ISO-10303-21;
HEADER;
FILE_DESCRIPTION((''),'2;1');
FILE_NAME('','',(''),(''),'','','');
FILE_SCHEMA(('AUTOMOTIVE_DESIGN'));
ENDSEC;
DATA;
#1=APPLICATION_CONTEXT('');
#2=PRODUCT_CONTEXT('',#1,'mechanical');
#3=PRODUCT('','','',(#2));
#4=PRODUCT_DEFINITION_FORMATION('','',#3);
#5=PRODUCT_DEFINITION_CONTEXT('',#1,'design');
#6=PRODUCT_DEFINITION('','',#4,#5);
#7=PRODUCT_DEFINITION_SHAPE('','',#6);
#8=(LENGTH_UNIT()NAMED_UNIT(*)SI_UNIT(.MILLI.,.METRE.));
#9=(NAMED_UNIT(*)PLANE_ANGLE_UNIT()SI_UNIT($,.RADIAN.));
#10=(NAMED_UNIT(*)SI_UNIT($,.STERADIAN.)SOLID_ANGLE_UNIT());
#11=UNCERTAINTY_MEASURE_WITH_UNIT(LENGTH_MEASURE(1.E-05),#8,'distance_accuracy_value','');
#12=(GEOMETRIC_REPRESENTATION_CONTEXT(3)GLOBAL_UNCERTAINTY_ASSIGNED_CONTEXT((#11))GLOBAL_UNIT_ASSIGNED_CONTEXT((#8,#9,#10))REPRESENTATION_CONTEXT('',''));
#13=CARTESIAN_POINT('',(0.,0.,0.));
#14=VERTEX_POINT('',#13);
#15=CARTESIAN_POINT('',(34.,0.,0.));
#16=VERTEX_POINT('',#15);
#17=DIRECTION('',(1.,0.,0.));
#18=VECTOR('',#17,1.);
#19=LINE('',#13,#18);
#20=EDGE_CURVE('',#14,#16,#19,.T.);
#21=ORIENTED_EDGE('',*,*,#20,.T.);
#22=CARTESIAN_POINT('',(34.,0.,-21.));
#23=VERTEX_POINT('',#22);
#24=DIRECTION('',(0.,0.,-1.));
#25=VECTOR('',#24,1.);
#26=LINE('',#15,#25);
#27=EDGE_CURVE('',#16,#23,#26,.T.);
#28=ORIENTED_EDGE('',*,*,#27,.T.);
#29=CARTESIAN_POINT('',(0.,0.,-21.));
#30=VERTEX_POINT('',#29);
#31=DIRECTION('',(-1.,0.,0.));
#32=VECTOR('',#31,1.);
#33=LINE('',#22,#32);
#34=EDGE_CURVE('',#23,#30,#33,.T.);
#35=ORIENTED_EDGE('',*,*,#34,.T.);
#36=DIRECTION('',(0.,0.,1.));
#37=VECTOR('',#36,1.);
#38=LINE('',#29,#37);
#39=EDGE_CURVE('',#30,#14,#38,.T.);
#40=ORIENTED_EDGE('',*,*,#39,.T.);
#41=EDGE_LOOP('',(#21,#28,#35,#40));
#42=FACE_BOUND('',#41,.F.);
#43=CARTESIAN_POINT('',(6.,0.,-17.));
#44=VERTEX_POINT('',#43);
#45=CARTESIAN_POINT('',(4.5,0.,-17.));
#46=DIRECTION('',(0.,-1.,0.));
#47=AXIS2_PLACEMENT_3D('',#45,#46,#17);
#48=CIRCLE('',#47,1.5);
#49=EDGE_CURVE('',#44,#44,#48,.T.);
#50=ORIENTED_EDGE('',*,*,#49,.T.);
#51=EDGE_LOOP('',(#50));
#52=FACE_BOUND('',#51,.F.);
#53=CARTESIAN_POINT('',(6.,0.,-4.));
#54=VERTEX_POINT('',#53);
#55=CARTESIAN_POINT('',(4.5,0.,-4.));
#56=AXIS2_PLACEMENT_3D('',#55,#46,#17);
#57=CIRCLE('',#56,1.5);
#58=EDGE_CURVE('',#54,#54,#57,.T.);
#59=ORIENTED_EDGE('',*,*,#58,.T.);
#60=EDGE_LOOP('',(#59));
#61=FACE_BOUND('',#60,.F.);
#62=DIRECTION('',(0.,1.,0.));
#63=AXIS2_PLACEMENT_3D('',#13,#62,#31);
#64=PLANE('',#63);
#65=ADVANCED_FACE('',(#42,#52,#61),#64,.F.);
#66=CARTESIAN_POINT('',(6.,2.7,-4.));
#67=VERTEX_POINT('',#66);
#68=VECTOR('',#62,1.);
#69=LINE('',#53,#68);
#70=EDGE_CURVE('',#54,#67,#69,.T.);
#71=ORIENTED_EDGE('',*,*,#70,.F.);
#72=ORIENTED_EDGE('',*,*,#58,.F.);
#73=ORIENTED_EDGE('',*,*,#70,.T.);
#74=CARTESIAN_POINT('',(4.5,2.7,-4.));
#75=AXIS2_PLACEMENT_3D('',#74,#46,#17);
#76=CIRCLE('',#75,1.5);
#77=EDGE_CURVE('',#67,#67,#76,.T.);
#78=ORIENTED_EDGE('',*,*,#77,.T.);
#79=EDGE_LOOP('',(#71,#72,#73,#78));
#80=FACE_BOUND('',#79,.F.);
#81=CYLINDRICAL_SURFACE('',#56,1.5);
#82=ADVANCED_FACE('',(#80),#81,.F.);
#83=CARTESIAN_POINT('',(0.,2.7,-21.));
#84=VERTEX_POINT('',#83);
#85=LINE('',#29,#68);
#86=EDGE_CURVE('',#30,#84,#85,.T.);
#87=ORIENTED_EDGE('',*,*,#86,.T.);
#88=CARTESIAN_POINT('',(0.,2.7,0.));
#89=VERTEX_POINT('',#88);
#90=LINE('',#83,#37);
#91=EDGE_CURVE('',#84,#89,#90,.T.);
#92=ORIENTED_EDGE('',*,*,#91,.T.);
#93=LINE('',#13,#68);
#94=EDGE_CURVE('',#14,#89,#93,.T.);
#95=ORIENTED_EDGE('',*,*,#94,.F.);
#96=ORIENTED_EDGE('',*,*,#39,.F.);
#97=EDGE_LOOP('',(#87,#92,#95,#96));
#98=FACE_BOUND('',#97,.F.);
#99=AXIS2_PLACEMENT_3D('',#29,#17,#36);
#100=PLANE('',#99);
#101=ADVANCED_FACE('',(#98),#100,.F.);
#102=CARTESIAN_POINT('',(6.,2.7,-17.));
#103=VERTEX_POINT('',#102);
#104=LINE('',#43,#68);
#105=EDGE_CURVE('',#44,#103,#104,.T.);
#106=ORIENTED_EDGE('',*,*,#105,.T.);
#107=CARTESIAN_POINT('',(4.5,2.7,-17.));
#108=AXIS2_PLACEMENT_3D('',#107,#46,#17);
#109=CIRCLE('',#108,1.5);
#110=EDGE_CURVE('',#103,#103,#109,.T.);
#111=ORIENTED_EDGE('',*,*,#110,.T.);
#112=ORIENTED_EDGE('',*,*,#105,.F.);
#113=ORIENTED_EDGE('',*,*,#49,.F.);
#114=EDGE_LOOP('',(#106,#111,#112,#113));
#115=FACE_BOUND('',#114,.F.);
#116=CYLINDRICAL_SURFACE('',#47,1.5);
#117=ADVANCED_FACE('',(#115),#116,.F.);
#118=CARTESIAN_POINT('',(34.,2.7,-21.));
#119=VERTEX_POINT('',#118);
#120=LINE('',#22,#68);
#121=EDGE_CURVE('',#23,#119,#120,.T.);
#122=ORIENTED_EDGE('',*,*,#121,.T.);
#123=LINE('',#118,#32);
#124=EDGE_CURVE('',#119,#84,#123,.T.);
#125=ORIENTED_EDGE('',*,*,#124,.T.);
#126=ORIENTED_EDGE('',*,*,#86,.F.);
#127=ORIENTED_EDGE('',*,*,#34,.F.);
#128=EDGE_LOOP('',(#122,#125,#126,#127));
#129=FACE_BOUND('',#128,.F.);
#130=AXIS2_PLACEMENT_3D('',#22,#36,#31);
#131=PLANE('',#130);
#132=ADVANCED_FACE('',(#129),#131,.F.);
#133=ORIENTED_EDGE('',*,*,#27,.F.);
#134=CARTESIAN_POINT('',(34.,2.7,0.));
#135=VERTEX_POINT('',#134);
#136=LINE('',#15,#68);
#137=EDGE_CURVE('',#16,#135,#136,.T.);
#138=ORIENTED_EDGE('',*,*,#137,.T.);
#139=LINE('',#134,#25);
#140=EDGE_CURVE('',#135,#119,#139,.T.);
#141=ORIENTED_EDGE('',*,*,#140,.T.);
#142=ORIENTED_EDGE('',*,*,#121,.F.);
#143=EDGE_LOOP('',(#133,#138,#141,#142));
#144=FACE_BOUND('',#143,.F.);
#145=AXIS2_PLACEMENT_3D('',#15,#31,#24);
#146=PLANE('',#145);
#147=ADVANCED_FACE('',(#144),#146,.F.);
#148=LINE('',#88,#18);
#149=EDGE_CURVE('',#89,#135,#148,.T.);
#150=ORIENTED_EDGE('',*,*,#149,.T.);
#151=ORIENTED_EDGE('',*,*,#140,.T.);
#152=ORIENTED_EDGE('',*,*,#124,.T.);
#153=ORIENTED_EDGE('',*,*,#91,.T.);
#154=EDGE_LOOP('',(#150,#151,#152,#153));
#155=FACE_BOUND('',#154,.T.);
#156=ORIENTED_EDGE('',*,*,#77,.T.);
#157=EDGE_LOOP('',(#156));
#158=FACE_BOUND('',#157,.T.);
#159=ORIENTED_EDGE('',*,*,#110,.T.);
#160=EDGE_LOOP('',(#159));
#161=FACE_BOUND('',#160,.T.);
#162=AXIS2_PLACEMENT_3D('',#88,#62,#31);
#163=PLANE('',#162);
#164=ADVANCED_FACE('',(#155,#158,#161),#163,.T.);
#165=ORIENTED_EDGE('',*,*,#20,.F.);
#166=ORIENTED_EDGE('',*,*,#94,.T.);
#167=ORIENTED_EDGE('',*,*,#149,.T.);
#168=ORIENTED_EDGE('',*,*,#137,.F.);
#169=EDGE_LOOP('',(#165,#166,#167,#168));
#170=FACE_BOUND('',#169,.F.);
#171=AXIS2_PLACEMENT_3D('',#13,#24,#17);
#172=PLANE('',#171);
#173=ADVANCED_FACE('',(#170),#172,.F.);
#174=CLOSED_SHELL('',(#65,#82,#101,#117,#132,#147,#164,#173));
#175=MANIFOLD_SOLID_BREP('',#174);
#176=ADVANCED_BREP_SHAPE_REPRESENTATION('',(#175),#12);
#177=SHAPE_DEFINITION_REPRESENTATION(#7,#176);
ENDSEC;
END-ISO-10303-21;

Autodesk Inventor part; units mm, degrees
ref_plane "YZ Plane" through (0, 0, 0) normal (1, 0, 0) x (0, 1, 0)
ref_plane "XZ Plane" through (0, 0, 0) normal (0, 1, 0) x (-1, 0, 0)
ref_plane "XY Plane" through (0, 0, 0) normal (0, 0, 1) x (1, 0, 0)
sketch "Sketch1" plane through (0, 0, 0) normal (0, 1, 0) x (-1, 0, 0)
  line L0 (0, 0) -> (-34, 0)
  line L1 (-34, 0) -> (-34, -21)
  line L2 (-34, -21) -> (0, -21)
  line L3 (0, -21) -> (0, 0)
  dimension "d0" = 34
  dimension "d1" = 21
extrude "Extrusion1" add sketch "Sketch1" along normal blind 2.7
sketch "Sketch2" plane through (0, 0, 0) normal (0, -1, 0) x (1, 0, 0)
  line L0 (0, 0) -> (4.5, 0)
  line L1 (0, 0) -> (34, 0) projected
  circle A0 centre (4.5, -4) radius 1.5
  line L2 (34, 0) -> (34, -21) projected
  line L3 (0, -21) -> (0, 0) projected
  circle A1 centre (4.5, -17) radius 1.5
  dimension "d4" = 4.5
  dimension "d6" = 3
extrude "Extrusion2" cut sketch "Sketch2" against normal blind 2.7
properties part number "Scheda cella di carico"
